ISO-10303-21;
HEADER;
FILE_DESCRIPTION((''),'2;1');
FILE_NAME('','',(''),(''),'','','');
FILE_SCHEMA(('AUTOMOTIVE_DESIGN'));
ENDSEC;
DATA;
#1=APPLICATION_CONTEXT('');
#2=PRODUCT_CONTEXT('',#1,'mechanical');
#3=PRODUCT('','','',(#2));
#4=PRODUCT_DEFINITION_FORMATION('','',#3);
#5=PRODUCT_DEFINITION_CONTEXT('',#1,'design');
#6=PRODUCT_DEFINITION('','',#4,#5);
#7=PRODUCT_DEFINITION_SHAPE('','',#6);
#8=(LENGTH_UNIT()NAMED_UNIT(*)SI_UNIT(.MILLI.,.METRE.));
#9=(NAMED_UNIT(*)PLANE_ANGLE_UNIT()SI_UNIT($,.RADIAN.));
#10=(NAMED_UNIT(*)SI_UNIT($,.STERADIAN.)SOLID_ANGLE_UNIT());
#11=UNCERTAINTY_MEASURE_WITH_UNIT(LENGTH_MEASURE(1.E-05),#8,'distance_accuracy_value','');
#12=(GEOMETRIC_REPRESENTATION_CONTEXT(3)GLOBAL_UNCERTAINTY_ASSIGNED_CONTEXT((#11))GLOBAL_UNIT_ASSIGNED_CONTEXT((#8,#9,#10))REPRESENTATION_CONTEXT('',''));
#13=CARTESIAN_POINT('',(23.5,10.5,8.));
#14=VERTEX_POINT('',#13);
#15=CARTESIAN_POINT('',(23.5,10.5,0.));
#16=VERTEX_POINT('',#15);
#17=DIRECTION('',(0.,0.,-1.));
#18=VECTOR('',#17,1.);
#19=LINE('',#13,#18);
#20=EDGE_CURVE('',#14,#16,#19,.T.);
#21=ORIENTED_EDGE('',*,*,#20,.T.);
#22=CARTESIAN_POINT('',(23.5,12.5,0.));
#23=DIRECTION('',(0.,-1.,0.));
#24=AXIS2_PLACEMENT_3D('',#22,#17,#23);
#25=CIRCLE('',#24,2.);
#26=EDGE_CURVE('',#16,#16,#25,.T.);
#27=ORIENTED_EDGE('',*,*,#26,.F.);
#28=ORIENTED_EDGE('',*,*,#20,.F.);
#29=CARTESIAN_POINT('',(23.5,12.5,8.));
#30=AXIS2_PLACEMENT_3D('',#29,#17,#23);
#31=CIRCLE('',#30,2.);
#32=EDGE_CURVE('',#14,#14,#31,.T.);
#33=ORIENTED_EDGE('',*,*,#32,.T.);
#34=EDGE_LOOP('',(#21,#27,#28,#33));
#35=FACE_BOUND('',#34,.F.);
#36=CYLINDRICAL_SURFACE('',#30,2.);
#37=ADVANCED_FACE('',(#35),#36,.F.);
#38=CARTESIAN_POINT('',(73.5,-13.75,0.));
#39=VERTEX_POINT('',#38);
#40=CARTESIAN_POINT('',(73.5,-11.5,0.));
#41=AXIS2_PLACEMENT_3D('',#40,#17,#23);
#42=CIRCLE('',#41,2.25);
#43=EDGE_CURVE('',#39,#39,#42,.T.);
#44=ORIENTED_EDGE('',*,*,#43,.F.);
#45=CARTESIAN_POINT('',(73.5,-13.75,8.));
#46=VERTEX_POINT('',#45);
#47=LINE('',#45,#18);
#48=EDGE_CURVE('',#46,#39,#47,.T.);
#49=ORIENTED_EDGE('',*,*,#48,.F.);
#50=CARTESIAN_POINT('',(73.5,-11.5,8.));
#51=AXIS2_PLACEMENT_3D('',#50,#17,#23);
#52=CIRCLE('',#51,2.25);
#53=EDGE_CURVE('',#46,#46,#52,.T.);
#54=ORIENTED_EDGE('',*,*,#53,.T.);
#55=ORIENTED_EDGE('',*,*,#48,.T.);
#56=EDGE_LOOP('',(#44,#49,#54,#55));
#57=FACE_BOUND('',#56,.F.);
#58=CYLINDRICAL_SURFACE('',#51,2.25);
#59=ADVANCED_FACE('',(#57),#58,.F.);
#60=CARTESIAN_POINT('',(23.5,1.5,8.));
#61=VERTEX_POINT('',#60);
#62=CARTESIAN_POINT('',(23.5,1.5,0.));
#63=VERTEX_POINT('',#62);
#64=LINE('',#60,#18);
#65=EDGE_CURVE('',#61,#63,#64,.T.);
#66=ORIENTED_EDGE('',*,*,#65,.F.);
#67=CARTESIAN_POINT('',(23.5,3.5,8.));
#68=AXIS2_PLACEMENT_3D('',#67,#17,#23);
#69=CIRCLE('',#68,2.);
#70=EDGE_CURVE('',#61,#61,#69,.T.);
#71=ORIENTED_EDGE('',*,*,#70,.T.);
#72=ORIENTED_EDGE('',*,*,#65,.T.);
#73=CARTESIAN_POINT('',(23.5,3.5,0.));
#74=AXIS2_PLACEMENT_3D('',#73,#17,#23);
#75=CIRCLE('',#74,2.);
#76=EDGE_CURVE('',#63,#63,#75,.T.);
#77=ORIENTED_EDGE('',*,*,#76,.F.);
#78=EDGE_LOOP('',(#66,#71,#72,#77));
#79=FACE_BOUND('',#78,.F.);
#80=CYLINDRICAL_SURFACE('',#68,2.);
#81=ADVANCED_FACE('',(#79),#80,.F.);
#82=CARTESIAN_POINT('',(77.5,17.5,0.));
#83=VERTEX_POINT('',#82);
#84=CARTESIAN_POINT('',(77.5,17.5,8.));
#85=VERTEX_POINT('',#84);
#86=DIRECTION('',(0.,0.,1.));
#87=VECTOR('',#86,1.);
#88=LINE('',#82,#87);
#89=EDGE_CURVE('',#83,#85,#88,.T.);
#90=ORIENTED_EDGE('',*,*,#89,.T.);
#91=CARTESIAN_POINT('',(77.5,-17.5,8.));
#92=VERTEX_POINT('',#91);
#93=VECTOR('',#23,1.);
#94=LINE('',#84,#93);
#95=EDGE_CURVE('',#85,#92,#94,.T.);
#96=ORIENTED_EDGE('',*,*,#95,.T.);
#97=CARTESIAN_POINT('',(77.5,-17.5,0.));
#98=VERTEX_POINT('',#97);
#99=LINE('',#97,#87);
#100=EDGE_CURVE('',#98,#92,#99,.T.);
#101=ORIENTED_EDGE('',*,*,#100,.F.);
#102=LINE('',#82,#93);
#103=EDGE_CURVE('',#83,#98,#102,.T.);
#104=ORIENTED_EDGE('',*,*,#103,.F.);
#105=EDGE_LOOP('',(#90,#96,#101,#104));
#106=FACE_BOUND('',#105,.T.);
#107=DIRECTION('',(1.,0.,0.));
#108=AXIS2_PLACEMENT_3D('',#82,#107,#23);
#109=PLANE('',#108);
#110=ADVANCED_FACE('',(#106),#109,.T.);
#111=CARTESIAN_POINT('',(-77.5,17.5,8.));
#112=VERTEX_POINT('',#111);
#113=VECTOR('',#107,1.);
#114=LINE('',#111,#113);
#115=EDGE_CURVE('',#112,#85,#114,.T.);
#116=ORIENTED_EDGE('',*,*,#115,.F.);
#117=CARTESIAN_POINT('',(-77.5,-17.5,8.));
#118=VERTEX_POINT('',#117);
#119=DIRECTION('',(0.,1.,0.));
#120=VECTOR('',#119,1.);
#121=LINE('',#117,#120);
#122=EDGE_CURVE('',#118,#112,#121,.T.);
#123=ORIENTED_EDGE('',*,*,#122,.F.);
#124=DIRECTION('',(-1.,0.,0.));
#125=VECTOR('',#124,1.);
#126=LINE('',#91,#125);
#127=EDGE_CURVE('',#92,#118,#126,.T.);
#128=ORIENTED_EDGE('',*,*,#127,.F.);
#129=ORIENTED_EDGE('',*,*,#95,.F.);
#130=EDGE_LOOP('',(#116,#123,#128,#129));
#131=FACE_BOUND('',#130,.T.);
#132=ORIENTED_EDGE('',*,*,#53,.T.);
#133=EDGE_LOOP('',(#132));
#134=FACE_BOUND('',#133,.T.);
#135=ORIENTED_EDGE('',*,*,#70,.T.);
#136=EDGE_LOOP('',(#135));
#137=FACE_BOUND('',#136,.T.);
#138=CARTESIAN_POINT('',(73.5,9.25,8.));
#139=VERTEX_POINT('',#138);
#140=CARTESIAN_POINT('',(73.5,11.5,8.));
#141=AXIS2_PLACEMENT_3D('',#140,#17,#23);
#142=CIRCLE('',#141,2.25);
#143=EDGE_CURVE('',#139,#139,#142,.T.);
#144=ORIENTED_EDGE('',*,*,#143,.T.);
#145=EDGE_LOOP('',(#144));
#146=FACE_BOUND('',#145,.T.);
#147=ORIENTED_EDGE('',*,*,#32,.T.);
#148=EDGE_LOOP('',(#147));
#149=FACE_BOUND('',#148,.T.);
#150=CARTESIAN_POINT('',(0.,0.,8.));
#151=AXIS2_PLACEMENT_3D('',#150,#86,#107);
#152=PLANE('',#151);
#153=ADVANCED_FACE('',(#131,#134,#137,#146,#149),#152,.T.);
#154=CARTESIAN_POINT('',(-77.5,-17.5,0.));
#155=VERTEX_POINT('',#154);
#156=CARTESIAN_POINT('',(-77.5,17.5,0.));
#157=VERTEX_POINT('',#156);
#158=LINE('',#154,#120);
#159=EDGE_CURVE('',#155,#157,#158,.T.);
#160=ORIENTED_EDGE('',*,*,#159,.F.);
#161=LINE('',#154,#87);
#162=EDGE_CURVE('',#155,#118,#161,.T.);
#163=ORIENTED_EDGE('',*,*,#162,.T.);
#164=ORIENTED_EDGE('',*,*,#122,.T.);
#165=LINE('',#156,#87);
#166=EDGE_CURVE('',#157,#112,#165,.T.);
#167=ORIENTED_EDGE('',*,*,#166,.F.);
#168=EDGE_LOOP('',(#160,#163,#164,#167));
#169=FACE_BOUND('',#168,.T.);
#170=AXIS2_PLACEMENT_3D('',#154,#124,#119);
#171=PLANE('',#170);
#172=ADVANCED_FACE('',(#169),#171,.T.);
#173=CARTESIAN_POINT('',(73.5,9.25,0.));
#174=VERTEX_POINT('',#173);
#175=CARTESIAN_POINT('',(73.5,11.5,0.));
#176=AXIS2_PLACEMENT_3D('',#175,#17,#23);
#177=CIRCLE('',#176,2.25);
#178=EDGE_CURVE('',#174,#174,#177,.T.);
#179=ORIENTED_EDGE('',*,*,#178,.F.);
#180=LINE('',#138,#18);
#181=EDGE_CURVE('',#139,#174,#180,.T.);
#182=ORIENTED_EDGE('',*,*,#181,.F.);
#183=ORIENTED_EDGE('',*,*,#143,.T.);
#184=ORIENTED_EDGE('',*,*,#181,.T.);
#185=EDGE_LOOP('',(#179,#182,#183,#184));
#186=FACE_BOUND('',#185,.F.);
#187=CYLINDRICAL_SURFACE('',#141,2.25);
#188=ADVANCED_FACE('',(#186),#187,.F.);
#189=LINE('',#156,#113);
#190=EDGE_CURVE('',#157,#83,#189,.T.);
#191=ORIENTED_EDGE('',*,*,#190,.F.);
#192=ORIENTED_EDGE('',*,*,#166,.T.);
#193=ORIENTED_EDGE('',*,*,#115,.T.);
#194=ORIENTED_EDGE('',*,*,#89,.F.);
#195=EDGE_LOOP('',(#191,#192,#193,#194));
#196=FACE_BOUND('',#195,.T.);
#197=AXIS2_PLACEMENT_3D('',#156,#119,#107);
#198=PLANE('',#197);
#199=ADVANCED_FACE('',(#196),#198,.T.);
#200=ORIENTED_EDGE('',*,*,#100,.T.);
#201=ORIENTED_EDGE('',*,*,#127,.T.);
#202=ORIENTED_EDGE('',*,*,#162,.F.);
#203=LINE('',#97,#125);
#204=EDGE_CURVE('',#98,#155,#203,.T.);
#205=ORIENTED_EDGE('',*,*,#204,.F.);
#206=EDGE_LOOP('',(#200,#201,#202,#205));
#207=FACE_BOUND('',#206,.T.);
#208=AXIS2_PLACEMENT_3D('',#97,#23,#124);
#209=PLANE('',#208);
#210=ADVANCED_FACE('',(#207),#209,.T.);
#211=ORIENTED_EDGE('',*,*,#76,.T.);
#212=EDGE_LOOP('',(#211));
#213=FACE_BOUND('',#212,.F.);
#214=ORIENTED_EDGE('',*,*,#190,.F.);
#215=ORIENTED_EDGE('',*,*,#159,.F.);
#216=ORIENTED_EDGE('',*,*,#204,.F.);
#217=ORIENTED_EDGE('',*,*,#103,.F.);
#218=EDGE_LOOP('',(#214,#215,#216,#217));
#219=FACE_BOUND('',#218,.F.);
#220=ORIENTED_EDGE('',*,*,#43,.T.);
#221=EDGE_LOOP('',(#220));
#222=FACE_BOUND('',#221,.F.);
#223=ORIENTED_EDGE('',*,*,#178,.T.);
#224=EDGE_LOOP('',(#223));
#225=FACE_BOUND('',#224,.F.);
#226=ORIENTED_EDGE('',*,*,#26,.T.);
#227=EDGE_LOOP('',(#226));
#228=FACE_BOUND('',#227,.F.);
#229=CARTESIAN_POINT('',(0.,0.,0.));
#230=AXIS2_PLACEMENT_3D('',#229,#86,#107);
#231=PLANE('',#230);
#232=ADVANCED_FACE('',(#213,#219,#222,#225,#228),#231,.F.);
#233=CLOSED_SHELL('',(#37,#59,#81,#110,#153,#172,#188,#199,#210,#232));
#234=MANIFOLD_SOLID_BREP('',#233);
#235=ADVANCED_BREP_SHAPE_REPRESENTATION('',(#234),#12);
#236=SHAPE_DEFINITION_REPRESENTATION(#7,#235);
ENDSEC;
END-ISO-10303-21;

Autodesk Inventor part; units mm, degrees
ref_plane "YZ Plane" through (0, 0, 0) normal (1, 0, 0) x (0, 1, 0)
ref_plane "XZ Plane" through (0, 0, 0) normal (0, 1, 0) x (-1, 0, 0)
ref_plane "XY Plane" through (0, 0, 0) normal (0, 0, 1) x (1, 0, 0)
sketch "Sketch1" plane through (0, 0, 0) normal (0, 0, 1) x (1, 0, 0)
  line L0 (-77.5, 17.5) -> (77.5, 17.5)
  line L1 (77.5, 17.5) -> (77.5, -17.5)
  line L2 (77.5, -17.5) -> (-77.5, -17.5)
  line L3 (-77.5, -17.5) -> (-77.5, 17.5)
  point P0 (0, 0)
  point P1 (0, 17.5)
  point P2 (-77.5, 0)
  dimension "d0" = 155
  dimension "d1" = 35
extrude "Extrusion1" add sketch "Sketch1" along normal blind 8
sketch "Sketch4" plane through (0, 0, 8) normal (0, 0, 1) x (1, 0, 0)
  line L0 (-73.5, -11.5) -> (73.5, -11.5) construction
  line L1 (73.5, -11.5) -> (73.5, 11.5) construction
  line L2 (73.5, 11.5) -> (-73.5, 11.5) construction
  line L3 (-73.5, 11.5) -> (-73.5, -11.5) construction
  line L4 (-77.5, 17.5) -> (-77.5, -17.5) construction
  line L5 (77.5, 17.5) -> (-77.5, 17.5) construction
  point P0 (0, 0)
  point P1 (-73.5, 0)
  point P2 (-77.5, 0)
  point P3 (0, 11.5)
  point P4 (0, 17.5)
  dimension "d19" = 4
  dimension "d20" = 6
hole "Hole1" at (73.5, -11.5, 8) at (73.5, 11.5, 8) direction (0, 0, -1) diameter 4.5 end through all
sketch "Sketch5" plane through (0, 0, 8) normal (0, 0, 1) x (1, 0, 0)
  circle A0 centre (23.5, 3.5) radius 2.3
  circle A1 centre (23.5, 12.5) radius 1.5001
  point P0 (0, 0)
  point P1 (98.6998, 12.5)
hole "Hole2" at (98.6998, 12.5, 8) at (23.5, 3.5, 8) at (23.5, 12.5, 8) direction (0, 0, -1) diameter 4 end through all
properties part number "0005-10-008" material "Wood (Maple)"
